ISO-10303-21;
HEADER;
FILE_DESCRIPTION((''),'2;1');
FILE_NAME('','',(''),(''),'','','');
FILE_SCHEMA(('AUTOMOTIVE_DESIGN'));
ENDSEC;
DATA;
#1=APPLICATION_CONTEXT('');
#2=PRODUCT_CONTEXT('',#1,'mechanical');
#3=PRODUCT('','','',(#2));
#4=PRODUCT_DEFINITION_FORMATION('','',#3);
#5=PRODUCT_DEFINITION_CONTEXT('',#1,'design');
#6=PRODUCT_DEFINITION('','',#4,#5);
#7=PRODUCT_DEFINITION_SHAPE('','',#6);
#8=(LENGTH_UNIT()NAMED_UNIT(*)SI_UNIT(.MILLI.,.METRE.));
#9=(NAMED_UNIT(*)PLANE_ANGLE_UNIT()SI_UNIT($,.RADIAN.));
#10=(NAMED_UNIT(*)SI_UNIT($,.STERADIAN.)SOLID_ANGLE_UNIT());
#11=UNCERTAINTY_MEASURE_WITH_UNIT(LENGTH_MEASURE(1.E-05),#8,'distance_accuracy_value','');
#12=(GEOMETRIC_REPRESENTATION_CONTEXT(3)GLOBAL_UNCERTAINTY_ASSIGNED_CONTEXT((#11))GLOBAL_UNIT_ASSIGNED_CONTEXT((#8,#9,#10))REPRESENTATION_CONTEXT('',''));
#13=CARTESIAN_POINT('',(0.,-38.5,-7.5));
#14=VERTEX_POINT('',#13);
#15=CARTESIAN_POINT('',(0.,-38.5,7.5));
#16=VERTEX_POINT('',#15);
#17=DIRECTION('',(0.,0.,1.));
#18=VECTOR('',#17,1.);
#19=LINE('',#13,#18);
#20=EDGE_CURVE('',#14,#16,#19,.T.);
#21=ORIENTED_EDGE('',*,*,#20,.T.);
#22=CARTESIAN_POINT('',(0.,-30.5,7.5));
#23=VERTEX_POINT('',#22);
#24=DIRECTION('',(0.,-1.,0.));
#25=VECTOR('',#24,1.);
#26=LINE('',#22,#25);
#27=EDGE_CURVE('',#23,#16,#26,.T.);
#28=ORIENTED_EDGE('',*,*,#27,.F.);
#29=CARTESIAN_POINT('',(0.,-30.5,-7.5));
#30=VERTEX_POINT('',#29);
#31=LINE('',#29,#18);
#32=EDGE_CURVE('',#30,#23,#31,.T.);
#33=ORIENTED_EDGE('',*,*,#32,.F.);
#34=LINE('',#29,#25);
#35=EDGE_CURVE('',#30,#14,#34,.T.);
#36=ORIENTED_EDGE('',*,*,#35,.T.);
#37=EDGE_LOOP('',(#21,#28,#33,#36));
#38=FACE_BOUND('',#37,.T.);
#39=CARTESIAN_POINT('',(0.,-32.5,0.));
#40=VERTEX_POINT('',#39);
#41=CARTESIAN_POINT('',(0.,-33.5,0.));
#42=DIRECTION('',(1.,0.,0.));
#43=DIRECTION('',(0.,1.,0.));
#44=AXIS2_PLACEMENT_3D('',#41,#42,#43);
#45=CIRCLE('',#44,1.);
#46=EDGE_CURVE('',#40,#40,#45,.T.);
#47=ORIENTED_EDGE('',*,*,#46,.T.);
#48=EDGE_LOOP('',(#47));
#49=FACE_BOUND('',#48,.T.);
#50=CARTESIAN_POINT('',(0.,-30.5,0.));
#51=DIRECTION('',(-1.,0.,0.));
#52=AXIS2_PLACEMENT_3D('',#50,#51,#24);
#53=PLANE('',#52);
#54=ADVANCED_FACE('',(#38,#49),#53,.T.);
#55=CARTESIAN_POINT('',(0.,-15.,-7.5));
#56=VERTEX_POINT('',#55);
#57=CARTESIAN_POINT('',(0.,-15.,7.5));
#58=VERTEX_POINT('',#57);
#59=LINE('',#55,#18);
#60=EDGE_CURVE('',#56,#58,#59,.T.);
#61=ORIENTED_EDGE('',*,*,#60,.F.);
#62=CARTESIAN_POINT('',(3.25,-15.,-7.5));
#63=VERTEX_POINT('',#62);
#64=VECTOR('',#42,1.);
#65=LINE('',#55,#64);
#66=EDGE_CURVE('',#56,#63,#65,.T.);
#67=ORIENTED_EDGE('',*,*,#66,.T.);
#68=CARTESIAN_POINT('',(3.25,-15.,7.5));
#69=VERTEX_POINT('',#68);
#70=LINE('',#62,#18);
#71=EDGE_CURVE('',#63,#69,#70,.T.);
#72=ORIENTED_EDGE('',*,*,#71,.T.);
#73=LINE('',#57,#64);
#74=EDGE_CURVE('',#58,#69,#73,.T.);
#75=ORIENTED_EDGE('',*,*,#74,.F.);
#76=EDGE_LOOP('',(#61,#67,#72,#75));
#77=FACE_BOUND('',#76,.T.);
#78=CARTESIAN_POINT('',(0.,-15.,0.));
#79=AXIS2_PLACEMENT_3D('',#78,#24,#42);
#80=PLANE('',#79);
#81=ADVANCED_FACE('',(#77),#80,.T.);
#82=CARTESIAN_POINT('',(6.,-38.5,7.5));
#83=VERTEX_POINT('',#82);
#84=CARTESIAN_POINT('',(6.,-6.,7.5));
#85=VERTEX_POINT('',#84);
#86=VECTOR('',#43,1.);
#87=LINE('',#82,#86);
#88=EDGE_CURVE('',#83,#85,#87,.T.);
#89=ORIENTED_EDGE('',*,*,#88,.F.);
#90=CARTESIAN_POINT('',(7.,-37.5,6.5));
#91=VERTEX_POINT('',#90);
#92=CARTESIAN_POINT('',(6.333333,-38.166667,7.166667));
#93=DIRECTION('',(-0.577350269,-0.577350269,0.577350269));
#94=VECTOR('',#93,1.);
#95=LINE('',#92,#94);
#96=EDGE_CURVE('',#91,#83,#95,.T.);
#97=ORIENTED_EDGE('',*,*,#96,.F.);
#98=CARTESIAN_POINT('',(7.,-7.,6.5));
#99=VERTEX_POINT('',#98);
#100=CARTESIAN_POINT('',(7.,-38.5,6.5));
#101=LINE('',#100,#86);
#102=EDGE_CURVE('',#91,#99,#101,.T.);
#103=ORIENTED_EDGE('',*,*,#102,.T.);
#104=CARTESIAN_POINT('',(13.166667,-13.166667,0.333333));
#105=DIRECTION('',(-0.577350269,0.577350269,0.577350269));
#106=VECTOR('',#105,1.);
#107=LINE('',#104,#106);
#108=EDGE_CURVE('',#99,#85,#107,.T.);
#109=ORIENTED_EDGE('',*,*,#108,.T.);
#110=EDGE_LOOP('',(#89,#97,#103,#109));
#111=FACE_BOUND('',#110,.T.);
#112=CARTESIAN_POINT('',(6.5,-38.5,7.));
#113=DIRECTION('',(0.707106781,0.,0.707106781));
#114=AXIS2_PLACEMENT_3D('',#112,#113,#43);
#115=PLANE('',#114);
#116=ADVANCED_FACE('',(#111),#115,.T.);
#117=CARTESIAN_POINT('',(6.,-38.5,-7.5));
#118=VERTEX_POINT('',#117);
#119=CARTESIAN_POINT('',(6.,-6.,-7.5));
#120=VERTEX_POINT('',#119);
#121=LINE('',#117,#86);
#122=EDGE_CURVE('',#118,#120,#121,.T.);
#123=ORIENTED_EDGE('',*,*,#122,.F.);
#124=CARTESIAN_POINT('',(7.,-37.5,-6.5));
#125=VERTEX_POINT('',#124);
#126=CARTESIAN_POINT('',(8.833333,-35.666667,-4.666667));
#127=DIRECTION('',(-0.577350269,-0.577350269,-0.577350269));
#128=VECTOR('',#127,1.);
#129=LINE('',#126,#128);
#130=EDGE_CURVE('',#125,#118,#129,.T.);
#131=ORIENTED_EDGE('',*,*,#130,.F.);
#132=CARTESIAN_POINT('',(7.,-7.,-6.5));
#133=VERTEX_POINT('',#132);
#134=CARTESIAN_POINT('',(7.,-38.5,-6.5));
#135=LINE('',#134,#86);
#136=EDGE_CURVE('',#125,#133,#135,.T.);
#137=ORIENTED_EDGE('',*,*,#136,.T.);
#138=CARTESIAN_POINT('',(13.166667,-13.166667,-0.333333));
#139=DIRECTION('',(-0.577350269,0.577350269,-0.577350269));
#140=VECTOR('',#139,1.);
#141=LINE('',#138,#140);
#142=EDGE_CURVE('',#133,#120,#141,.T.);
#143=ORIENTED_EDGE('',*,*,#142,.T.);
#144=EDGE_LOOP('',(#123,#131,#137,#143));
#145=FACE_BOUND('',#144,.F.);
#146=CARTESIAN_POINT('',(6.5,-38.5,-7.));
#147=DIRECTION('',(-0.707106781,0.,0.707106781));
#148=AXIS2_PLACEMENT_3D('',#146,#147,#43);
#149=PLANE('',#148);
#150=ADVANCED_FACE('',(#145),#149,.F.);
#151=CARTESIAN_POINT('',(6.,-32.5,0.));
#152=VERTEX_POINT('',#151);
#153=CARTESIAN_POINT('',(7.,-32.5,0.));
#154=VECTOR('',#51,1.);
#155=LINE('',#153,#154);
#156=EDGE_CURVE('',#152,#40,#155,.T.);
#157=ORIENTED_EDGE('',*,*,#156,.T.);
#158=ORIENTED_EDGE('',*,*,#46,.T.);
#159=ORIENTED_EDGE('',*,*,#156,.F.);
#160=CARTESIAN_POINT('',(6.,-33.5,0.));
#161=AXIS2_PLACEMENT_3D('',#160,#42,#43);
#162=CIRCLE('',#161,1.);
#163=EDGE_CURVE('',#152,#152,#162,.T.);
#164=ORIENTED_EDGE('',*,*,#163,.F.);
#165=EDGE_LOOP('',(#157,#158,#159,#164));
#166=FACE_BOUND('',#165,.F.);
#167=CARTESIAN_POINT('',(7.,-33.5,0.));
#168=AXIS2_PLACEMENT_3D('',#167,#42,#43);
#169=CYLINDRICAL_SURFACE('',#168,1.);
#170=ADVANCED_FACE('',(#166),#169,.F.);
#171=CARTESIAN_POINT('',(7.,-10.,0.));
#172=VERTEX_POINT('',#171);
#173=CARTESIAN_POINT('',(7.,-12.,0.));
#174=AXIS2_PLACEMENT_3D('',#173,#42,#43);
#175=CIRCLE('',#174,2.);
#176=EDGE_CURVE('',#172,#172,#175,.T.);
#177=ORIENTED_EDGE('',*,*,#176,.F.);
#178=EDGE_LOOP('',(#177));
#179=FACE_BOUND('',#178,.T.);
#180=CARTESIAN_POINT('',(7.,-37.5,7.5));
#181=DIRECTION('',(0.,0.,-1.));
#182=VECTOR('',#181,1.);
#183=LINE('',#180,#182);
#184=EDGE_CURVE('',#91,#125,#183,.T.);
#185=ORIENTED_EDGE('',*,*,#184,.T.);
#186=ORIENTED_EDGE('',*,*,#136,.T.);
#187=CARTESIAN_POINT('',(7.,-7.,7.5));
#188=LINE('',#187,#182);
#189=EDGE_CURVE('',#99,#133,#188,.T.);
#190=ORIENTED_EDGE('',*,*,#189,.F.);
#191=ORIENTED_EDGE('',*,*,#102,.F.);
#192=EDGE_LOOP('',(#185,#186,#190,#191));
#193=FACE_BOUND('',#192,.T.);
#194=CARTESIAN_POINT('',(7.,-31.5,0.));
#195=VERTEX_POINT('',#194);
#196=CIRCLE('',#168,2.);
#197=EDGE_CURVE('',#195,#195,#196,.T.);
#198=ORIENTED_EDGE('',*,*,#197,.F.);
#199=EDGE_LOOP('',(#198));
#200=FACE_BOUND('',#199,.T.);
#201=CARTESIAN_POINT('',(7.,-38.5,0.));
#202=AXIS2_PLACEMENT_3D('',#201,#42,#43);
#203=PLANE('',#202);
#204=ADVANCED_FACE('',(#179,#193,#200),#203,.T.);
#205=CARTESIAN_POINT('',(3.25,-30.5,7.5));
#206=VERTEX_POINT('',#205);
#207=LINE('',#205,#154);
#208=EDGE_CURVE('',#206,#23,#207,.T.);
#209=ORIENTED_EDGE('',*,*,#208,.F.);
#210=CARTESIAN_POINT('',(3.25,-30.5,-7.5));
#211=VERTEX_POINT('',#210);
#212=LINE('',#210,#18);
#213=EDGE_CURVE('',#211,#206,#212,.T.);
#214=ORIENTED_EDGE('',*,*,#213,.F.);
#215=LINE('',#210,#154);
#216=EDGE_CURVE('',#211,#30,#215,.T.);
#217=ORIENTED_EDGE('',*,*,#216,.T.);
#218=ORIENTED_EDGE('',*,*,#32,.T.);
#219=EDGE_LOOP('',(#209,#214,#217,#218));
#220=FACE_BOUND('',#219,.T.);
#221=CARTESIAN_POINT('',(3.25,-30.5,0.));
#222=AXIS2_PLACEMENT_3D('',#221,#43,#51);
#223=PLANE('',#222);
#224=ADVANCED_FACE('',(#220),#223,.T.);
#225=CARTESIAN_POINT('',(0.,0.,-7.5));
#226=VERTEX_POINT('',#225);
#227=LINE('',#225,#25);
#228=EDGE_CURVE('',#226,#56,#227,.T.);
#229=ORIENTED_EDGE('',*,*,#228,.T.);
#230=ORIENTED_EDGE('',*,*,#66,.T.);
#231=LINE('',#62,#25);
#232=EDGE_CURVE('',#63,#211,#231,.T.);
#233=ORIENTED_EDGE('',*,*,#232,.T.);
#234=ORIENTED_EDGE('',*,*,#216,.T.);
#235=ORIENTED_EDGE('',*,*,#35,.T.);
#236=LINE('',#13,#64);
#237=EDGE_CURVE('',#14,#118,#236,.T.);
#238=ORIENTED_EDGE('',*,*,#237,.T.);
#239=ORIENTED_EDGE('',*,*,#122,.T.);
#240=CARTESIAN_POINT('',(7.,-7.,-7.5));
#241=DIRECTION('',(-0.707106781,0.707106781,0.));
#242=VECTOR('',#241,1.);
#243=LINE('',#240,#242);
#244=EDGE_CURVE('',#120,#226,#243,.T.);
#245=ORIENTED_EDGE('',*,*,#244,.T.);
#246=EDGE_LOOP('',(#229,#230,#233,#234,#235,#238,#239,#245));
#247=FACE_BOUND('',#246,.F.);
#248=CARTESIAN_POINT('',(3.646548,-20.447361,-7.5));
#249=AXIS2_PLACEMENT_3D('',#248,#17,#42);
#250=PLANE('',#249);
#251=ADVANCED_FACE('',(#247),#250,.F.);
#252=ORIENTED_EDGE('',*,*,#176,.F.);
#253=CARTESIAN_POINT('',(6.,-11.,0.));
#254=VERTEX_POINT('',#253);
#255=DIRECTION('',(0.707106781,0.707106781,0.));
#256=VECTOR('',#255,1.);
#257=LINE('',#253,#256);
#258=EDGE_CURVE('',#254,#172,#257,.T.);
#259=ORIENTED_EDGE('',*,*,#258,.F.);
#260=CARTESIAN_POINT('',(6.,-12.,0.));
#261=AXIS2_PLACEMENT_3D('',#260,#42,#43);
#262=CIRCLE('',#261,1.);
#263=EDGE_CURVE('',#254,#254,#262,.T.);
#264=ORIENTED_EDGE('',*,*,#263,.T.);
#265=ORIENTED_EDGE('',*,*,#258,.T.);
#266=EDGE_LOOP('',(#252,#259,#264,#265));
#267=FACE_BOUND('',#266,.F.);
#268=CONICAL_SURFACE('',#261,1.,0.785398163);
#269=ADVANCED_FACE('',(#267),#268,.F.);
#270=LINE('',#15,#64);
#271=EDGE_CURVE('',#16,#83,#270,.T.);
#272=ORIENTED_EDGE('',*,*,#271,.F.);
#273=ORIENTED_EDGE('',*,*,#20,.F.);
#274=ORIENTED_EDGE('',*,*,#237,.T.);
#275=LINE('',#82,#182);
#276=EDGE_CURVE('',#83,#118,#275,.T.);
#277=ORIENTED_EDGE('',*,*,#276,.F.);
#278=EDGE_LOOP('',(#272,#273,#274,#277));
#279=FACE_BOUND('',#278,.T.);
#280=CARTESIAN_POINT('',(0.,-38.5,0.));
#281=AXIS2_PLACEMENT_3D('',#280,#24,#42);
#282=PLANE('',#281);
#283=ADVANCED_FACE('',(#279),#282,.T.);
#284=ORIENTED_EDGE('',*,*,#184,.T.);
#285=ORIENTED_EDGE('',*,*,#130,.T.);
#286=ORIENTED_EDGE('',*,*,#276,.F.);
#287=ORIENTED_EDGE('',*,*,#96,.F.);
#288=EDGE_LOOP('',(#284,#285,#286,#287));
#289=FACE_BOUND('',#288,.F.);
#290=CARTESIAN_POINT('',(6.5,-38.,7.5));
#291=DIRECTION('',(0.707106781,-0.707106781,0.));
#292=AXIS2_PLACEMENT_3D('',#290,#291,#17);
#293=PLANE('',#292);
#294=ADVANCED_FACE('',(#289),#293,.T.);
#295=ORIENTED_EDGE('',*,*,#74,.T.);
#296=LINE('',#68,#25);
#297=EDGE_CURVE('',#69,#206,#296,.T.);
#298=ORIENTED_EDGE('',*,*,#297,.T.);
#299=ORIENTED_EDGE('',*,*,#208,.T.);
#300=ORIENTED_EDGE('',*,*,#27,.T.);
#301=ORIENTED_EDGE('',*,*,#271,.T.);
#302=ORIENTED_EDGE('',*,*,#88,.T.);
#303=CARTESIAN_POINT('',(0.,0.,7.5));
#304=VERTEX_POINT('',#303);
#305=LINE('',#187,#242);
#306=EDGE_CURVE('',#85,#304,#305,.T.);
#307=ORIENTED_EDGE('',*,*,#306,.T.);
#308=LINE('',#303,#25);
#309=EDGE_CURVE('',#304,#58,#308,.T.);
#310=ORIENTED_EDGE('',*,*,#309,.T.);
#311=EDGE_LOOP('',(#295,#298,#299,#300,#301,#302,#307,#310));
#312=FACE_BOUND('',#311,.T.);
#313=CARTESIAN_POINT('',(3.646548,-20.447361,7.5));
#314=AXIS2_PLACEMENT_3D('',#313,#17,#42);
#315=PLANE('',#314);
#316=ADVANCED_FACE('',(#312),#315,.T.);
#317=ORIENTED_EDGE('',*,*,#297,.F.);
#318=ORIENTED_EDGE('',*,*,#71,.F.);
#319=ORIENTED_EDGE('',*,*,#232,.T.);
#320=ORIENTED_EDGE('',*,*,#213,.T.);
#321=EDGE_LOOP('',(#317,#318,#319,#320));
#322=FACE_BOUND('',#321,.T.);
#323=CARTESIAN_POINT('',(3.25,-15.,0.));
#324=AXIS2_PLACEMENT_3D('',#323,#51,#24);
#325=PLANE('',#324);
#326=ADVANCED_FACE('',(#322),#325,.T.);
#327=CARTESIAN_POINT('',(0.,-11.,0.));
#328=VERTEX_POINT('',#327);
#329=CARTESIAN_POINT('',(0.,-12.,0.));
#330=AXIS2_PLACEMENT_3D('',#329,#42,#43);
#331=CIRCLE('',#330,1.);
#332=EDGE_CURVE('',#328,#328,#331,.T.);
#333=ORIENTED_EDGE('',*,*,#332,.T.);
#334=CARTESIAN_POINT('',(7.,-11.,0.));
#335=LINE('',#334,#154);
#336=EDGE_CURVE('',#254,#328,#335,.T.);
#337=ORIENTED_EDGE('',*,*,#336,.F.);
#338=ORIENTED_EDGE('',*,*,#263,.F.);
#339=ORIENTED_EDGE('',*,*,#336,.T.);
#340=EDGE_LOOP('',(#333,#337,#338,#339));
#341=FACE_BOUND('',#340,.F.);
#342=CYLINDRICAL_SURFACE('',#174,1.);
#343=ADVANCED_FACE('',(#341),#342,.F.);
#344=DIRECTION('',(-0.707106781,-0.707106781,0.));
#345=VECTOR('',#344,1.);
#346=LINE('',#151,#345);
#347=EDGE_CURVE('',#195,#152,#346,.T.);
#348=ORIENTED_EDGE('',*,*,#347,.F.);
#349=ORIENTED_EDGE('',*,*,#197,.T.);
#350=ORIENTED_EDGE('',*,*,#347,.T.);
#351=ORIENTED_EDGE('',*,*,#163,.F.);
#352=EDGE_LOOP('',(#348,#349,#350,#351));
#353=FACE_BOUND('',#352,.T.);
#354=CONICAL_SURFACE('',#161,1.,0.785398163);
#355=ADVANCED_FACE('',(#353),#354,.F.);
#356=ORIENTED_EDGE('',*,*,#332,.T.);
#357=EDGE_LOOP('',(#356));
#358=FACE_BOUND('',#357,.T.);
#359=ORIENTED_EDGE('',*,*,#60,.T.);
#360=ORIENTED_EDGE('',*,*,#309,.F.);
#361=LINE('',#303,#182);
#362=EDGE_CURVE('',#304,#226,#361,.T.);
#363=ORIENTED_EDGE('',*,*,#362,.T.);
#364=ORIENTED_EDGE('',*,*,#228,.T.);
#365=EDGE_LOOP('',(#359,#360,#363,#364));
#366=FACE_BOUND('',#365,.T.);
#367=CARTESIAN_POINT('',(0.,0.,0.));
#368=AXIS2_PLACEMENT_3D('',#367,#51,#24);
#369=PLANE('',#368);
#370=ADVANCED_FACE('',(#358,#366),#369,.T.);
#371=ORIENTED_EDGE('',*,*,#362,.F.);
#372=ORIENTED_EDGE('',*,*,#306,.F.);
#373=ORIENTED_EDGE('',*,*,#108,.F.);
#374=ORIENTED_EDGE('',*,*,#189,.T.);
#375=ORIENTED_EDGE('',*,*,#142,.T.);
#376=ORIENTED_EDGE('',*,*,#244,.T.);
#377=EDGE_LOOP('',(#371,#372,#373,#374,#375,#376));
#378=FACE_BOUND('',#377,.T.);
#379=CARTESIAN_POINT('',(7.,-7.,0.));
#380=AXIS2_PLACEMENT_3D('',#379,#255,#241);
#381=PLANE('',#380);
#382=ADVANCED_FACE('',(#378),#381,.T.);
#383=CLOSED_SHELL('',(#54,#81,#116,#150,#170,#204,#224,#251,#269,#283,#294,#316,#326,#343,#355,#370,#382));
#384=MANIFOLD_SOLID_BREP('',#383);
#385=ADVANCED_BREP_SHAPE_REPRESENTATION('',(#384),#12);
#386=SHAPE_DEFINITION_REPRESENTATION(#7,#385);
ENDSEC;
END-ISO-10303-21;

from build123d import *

# Parameters (mm, degrees)
PAD_DEPTH       = 7.5
SKETCH001_R     = 1
POCKET_DEPTH    = 7.001
CHAMFER_SIZE    = 1
CHAMFER001_SIZE = 1


with BuildPart() as part:
    # Sketch → Pad (new body, symmetric)
    with BuildSketch(Plane.XY):
        Polygon((0, 0), (0, -15), (3.25, -15), (3.25, -30.5), (0, -30.5), (0, -38.5), (7, -38.5), (7, -7), align=None)
    extrude(amount=PAD_DEPTH, both=True)

    # Sketch001 (on Face7 of Pad) → Pocket (cut, through all)
    with BuildSketch(Plane.YZ.offset(7)):
        with Locations((-33.5, 0)):
            Circle(SKETCH001_R)
        with Locations((-12, 0)):
            Circle(SKETCH001_R)
    extrude(amount=-POCKET_DEPTH, mode=Mode.SUBTRACT)

    # Chamfer
    chamfer_edges = [part.edges().sort_by_distance(p)[0] for p in [
        (7, -13, 0),
        (7, -34.5, 0),
    ]]
    chamfer(chamfer_edges, length=CHAMFER_SIZE)

    # Chamfer001
    chamfer001_edges = [part.edges().sort_by_distance(p)[0] for p in [
        (7, -22.75, 7.5),
        (7, -38.5, 0),
        (7, -22.75, -7.5),
    ]]
    chamfer(chamfer001_edges, length=CHAMFER001_SIZE)


solid = part.part
